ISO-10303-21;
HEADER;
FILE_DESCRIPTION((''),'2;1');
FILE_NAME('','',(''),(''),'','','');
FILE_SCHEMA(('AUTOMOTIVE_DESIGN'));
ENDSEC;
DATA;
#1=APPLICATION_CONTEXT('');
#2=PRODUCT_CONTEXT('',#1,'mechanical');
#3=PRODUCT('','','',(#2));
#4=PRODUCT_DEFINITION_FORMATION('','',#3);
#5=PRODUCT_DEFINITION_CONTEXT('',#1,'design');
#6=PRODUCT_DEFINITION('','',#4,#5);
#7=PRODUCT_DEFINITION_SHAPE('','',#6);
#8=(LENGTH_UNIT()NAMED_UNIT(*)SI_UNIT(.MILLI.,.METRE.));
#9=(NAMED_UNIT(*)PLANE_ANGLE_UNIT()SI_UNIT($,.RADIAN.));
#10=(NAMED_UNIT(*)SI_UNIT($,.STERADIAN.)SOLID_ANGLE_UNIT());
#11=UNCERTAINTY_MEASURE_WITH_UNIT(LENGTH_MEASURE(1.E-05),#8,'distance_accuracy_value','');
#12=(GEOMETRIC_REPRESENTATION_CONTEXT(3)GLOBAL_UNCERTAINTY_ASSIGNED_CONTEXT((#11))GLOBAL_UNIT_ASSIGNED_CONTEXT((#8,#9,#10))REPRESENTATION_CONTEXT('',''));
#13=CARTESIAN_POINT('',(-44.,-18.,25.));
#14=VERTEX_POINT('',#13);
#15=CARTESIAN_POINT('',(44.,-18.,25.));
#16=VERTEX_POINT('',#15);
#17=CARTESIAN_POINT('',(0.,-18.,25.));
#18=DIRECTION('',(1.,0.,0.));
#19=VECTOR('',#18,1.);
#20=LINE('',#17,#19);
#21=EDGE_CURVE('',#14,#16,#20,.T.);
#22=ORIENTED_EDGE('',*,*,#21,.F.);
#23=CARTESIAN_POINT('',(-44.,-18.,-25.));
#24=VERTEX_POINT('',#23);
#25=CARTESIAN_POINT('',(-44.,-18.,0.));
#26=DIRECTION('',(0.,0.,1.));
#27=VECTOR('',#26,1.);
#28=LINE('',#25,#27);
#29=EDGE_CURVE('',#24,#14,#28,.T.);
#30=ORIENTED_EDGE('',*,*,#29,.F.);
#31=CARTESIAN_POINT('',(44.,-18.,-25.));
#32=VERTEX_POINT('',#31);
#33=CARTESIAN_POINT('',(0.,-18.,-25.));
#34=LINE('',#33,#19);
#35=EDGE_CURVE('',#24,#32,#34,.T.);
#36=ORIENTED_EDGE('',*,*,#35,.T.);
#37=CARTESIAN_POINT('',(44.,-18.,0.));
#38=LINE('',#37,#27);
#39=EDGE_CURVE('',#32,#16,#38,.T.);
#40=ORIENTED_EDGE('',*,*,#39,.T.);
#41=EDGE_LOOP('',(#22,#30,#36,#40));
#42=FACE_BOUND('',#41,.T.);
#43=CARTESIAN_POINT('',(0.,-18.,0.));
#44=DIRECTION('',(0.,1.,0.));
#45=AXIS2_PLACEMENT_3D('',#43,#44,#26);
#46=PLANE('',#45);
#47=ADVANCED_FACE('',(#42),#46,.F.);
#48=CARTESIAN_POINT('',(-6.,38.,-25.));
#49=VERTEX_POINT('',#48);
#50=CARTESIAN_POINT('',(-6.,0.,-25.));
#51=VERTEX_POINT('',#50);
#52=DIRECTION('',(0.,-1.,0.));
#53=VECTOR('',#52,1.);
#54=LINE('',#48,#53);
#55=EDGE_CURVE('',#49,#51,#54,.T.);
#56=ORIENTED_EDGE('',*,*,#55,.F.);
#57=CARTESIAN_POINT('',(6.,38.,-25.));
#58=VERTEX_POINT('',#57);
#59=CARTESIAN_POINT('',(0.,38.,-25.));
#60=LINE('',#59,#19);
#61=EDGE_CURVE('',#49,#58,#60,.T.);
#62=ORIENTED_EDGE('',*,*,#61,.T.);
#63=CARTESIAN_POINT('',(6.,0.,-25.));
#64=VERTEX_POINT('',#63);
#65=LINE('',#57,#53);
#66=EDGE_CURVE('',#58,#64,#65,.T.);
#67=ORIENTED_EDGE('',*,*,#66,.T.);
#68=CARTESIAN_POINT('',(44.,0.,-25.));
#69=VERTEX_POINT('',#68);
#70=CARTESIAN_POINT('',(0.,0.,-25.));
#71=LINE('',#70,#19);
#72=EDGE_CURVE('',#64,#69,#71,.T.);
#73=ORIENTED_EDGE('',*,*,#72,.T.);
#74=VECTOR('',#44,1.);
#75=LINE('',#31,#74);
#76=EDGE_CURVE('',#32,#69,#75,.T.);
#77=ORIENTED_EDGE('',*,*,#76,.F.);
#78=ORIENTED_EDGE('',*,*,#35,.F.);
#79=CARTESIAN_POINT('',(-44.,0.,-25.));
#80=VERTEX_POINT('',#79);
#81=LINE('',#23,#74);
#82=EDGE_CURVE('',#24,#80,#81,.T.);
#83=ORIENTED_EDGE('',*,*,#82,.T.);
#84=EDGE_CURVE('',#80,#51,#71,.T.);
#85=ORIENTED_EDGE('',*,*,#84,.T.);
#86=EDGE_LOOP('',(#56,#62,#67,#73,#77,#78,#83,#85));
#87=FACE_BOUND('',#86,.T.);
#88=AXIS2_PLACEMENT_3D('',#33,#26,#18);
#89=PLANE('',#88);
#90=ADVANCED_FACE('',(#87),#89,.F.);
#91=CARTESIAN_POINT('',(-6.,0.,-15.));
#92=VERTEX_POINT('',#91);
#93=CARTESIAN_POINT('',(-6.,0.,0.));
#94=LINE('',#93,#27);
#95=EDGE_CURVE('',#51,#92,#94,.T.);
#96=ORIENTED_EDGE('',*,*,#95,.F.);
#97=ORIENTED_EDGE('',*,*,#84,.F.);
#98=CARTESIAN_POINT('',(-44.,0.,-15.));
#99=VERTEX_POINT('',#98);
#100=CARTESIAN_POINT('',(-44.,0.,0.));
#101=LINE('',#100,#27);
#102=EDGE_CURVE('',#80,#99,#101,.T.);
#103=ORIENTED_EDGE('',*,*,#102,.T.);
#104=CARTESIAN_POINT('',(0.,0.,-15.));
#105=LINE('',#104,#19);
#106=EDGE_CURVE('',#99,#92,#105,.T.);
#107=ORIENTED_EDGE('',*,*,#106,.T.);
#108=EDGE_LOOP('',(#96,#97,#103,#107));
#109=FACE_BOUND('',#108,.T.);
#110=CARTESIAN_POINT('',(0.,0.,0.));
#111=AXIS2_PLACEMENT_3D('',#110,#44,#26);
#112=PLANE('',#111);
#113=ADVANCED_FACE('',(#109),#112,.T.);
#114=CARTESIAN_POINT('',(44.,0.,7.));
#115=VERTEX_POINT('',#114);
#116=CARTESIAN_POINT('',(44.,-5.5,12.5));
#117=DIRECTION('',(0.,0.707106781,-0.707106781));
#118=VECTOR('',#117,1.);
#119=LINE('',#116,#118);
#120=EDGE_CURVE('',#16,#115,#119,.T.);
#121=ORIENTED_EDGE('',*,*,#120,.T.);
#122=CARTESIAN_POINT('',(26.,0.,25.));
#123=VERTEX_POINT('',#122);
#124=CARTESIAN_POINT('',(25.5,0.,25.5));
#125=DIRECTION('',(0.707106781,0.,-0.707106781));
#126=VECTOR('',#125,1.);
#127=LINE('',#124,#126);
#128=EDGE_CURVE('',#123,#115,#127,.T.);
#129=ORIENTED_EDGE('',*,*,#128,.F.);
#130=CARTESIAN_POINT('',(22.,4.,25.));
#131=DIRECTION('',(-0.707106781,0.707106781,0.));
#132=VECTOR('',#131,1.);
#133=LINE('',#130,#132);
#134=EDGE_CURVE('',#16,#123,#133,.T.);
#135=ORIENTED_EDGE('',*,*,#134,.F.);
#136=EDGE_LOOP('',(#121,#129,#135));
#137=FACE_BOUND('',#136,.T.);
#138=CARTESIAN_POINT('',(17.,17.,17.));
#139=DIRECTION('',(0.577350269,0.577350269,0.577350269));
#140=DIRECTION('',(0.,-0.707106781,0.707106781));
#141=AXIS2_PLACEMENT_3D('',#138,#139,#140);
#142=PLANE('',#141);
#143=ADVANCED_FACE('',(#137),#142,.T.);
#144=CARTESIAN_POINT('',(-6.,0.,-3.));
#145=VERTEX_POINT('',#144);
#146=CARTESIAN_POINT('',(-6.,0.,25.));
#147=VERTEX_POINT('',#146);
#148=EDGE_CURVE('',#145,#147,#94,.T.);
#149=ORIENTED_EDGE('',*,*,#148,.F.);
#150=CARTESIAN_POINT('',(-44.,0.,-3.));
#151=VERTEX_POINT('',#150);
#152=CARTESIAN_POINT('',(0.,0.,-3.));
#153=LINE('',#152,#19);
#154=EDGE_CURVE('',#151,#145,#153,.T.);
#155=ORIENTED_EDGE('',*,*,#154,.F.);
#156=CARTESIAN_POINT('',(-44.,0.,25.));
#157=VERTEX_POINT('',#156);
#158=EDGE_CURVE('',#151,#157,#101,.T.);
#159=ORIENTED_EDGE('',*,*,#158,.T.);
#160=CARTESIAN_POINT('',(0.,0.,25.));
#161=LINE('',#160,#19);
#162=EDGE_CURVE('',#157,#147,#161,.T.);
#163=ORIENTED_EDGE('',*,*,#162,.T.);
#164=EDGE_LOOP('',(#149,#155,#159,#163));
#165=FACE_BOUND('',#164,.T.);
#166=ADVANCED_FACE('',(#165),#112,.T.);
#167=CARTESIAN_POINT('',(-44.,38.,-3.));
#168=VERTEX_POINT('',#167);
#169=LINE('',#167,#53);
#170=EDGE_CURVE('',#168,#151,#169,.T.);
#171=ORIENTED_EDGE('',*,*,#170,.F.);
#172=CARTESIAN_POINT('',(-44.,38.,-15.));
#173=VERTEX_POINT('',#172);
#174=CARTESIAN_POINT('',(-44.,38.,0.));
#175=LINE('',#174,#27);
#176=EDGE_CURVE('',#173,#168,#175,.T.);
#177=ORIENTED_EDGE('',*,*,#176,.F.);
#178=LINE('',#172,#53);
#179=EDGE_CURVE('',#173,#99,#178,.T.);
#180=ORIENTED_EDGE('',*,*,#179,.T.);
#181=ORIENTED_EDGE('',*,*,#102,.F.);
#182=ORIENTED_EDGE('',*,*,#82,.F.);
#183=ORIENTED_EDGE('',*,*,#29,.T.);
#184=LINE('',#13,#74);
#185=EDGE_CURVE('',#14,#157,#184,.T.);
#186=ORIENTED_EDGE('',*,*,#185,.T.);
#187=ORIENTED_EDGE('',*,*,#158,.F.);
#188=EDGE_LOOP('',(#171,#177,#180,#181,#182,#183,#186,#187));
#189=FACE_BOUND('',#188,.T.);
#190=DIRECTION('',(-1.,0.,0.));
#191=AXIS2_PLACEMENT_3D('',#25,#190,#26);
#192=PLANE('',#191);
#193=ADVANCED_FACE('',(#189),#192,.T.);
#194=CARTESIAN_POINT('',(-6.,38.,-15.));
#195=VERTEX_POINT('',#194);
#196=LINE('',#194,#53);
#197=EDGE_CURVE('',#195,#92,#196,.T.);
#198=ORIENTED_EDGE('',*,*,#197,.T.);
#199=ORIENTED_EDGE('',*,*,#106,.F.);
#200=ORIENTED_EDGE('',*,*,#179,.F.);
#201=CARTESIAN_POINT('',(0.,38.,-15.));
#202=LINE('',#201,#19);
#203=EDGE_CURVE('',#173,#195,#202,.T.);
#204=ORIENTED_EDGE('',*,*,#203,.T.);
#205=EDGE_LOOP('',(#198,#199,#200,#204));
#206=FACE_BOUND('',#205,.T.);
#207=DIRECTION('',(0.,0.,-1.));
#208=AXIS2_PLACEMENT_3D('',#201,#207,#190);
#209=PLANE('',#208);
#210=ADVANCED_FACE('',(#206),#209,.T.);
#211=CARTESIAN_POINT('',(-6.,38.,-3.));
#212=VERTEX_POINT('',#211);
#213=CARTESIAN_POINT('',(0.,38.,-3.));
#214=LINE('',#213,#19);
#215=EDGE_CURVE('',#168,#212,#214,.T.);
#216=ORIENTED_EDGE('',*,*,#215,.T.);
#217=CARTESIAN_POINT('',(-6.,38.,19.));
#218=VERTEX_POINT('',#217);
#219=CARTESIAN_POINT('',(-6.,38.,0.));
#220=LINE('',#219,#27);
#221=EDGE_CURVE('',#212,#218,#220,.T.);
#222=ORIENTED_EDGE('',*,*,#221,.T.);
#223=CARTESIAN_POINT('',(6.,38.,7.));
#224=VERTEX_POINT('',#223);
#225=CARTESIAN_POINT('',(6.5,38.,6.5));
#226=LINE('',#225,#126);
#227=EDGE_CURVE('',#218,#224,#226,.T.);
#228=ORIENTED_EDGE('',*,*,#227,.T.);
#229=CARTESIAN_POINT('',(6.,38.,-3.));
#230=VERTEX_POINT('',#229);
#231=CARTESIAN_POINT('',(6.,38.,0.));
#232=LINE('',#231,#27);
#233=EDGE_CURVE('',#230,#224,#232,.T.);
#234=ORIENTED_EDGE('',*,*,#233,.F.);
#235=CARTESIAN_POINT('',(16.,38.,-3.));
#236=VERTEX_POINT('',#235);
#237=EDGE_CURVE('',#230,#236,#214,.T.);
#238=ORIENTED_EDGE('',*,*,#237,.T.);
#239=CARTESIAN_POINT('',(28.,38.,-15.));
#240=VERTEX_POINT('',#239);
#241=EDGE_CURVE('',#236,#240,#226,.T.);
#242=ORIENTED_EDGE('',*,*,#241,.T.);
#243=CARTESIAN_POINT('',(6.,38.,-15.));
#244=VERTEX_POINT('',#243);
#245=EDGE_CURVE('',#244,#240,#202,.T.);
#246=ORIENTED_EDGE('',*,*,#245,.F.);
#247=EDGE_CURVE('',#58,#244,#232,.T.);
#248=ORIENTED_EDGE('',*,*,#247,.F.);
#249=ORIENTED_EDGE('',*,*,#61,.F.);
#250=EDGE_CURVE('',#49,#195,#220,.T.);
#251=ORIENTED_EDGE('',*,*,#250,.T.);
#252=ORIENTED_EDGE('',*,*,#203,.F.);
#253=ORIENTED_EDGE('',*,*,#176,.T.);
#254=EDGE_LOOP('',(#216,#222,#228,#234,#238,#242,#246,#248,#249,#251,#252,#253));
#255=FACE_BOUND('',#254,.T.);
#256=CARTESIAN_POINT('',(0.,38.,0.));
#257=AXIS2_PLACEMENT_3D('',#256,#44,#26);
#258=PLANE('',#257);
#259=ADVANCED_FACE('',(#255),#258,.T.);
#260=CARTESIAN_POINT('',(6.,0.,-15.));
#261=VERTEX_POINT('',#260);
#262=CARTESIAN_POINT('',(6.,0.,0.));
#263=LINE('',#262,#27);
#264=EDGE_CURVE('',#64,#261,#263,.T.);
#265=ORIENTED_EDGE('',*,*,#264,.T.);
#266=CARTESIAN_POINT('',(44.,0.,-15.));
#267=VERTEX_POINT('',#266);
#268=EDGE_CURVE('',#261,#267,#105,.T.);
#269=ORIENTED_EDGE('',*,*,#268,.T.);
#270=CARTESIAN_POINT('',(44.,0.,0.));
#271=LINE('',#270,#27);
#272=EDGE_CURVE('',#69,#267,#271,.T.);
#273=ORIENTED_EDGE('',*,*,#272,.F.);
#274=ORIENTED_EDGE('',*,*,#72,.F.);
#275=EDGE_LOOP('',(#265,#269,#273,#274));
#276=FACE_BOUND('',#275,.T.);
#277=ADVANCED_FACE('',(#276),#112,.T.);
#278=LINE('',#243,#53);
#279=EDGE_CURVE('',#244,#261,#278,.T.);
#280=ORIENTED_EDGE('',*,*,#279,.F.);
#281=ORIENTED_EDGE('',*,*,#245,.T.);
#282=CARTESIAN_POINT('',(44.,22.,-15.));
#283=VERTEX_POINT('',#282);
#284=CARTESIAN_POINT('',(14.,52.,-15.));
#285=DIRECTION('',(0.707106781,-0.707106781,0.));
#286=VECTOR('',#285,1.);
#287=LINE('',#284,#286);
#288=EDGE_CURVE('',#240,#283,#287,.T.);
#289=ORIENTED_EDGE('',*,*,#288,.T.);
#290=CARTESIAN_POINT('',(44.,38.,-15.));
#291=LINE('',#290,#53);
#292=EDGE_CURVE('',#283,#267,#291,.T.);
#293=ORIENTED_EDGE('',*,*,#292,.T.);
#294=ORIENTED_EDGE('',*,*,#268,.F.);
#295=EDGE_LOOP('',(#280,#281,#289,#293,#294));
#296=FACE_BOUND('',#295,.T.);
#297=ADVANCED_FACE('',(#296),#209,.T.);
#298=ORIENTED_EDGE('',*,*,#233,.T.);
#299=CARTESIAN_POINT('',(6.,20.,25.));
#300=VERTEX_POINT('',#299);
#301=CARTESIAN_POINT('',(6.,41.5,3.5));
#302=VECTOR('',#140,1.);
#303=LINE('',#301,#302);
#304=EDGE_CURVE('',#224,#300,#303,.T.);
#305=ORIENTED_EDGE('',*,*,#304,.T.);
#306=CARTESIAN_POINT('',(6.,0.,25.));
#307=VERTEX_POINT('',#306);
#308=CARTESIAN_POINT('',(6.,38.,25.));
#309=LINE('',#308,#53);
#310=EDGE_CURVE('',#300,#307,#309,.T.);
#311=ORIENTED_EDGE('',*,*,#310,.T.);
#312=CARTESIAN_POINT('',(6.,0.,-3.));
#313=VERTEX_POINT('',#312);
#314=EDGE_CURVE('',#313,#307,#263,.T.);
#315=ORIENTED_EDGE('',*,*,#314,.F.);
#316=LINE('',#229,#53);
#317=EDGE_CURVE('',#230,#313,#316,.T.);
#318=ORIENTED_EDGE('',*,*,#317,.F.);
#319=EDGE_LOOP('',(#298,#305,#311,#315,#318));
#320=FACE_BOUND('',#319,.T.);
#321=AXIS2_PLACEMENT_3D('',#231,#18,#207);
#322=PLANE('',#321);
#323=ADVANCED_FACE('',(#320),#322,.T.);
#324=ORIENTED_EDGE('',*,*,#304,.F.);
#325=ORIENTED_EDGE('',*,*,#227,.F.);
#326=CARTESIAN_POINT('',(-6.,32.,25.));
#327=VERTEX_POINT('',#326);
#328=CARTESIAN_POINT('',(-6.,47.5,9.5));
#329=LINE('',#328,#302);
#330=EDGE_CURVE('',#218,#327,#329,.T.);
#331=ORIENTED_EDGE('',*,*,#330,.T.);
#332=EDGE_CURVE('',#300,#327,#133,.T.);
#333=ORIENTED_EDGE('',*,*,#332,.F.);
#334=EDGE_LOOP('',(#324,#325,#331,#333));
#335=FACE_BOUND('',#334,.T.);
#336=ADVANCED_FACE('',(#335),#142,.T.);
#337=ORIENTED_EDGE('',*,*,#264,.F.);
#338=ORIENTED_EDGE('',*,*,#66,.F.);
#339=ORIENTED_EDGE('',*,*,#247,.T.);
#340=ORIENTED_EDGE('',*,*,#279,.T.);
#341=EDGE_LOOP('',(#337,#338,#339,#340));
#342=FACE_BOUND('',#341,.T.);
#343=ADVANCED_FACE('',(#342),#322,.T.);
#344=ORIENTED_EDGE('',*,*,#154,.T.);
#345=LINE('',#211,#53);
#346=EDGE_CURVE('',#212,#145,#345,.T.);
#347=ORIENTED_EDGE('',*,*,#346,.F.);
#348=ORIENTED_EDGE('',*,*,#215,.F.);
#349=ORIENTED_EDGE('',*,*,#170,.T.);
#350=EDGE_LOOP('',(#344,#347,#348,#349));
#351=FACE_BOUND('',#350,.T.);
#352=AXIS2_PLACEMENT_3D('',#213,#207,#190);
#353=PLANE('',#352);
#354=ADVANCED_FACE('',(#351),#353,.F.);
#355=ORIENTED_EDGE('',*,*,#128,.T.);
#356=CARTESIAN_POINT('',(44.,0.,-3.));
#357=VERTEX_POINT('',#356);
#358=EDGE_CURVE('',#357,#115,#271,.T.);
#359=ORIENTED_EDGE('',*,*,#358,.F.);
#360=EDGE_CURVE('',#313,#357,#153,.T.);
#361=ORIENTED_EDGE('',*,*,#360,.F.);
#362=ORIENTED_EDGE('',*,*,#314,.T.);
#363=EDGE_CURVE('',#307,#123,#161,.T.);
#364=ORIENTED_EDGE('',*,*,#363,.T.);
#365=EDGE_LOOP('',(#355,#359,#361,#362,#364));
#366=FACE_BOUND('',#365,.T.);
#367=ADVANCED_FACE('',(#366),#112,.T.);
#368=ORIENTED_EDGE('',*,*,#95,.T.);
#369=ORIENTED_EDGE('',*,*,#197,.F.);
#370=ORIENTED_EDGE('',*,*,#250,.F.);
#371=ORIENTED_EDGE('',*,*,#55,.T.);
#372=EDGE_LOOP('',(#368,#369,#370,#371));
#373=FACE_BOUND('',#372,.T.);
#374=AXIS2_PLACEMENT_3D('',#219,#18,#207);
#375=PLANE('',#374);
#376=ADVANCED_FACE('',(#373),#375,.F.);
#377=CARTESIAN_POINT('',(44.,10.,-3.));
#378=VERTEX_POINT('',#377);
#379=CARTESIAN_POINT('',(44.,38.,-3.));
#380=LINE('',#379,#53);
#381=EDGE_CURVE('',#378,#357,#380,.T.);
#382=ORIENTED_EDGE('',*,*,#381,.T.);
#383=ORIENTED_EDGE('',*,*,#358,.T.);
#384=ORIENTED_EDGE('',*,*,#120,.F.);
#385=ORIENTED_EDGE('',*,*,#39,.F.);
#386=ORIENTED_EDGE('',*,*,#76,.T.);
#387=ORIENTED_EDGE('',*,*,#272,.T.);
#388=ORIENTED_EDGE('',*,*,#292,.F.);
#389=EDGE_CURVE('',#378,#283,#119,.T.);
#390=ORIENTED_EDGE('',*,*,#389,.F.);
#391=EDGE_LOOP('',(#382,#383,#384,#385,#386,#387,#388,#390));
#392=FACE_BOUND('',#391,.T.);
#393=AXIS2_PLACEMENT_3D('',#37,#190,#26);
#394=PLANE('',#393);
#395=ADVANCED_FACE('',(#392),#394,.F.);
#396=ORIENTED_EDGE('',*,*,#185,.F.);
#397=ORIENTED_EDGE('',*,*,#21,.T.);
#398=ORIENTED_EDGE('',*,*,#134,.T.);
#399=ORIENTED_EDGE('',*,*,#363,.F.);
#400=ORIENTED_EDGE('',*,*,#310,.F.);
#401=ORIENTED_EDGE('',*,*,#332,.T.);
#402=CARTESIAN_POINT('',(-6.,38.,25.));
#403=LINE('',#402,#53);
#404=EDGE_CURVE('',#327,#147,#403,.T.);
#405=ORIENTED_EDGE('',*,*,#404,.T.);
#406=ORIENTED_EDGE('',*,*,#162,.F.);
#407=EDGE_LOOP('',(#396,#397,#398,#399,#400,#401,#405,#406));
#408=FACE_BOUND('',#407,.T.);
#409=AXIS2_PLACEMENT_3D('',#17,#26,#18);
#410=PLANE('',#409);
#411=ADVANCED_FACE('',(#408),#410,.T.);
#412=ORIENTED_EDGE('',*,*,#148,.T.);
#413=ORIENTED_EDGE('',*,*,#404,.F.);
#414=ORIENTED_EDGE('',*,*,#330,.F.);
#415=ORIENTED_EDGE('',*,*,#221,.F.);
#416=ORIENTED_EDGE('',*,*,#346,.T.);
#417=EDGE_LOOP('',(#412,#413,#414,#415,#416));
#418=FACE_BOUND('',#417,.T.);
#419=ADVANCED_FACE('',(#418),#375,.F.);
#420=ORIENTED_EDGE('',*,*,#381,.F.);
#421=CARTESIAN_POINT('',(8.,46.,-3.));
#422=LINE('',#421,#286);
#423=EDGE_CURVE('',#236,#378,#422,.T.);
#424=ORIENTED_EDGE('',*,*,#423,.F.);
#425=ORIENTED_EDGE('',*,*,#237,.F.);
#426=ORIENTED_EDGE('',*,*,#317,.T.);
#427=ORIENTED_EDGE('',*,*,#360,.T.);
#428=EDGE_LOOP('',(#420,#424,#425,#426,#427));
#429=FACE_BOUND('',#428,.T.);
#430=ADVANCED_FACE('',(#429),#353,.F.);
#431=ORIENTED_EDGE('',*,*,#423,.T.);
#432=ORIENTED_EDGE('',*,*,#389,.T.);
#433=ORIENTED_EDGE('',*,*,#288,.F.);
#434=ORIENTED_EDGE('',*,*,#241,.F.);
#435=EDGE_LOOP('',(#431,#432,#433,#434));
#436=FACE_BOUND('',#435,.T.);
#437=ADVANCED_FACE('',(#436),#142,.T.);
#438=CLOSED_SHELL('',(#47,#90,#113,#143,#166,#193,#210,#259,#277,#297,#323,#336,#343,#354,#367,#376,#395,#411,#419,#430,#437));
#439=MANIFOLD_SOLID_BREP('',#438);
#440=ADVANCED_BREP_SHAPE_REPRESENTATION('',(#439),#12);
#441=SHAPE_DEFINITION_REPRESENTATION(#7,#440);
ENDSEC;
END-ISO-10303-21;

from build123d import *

# Parameters (mm, degrees)
SKETCH1_W           = 38
SKETCH1_H           = 10
SKETCH1_H_2         = 12
SKETCH1_W_2         = 12
SKETCH1_H_3         = 28
BOSS_EXTRUDE1_DEPTH = 18
SKETCH1_3_W         = 38
SKETCH1_3_H         = 12
SKETCH1_3_W_2       = 12
SKETCH1_3_H_2       = 28
SKETCH1_3_H_3       = 10
BOSS_EXTRUDE2_DEPTH = 38


with BuildPart() as part:
    # Sketch1 → Boss-Extrude1 (new body)
    with BuildSketch(Plane(origin=(0, 0, 0), x_dir=(1, 0, 0), z_dir=(0, 1, 0))):
        with Locations((25, 20)):
            Rectangle(SKETCH1_W, SKETCH1_H)
        with Locations((25, 9)):
            Rectangle(SKETCH1_W, SKETCH1_H_2)
        with Locations((0, 9)):
            Rectangle(SKETCH1_W_2, SKETCH1_H_2)
        with Locations((25, -11)):
            Rectangle(SKETCH1_W, SKETCH1_H_3)
        with Locations((0, -11)):
            Rectangle(SKETCH1_W_2, SKETCH1_H_3)
        with Locations((-25, -11)):
            Rectangle(SKETCH1_W, SKETCH1_H_3)
        with Locations((-25, 9)):
            Rectangle(SKETCH1_W, SKETCH1_H_2)
        with Locations((-25, 20)):
            Rectangle(SKETCH1_W, SKETCH1_H)
        with Locations((0, 20)):
            Rectangle(SKETCH1_W_2, SKETCH1_H)
    extrude(amount=-BOSS_EXTRUDE1_DEPTH)

    # Sketch1<3> → Boss-Extrude2 (add)
    with BuildSketch(Plane(origin=(0, 0, 0), x_dir=(1, 0, 0), z_dir=(0, 1, 0))):
        with Locations((-25, 9)):
            Rectangle(SKETCH1_3_W, SKETCH1_3_H)
        with Locations((0, 9)):
            Rectangle(SKETCH1_3_W_2, SKETCH1_3_H)
        with Locations((25, 9)):
            Rectangle(SKETCH1_3_W, SKETCH1_3_H)
        with Locations((0, -11)):
            Rectangle(SKETCH1_3_W_2, SKETCH1_3_H_2)
        with Locations((0, 20)):
            Rectangle(SKETCH1_3_W_2, SKETCH1_3_H_3)
    extrude(amount=BOSS_EXTRUDE2_DEPTH)

    # SurfaceCut5
    split(bisect_by=Plane(origin=(17, 17, 17), x_dir=(0.8164965809277277, -0.4082482904638635, -0.4082482904638593), z_dir=(0.5773502691896235, 0.57735026918963, 0.577350269189624)), keep=Keep.BOTTOM)


solid = part.part
